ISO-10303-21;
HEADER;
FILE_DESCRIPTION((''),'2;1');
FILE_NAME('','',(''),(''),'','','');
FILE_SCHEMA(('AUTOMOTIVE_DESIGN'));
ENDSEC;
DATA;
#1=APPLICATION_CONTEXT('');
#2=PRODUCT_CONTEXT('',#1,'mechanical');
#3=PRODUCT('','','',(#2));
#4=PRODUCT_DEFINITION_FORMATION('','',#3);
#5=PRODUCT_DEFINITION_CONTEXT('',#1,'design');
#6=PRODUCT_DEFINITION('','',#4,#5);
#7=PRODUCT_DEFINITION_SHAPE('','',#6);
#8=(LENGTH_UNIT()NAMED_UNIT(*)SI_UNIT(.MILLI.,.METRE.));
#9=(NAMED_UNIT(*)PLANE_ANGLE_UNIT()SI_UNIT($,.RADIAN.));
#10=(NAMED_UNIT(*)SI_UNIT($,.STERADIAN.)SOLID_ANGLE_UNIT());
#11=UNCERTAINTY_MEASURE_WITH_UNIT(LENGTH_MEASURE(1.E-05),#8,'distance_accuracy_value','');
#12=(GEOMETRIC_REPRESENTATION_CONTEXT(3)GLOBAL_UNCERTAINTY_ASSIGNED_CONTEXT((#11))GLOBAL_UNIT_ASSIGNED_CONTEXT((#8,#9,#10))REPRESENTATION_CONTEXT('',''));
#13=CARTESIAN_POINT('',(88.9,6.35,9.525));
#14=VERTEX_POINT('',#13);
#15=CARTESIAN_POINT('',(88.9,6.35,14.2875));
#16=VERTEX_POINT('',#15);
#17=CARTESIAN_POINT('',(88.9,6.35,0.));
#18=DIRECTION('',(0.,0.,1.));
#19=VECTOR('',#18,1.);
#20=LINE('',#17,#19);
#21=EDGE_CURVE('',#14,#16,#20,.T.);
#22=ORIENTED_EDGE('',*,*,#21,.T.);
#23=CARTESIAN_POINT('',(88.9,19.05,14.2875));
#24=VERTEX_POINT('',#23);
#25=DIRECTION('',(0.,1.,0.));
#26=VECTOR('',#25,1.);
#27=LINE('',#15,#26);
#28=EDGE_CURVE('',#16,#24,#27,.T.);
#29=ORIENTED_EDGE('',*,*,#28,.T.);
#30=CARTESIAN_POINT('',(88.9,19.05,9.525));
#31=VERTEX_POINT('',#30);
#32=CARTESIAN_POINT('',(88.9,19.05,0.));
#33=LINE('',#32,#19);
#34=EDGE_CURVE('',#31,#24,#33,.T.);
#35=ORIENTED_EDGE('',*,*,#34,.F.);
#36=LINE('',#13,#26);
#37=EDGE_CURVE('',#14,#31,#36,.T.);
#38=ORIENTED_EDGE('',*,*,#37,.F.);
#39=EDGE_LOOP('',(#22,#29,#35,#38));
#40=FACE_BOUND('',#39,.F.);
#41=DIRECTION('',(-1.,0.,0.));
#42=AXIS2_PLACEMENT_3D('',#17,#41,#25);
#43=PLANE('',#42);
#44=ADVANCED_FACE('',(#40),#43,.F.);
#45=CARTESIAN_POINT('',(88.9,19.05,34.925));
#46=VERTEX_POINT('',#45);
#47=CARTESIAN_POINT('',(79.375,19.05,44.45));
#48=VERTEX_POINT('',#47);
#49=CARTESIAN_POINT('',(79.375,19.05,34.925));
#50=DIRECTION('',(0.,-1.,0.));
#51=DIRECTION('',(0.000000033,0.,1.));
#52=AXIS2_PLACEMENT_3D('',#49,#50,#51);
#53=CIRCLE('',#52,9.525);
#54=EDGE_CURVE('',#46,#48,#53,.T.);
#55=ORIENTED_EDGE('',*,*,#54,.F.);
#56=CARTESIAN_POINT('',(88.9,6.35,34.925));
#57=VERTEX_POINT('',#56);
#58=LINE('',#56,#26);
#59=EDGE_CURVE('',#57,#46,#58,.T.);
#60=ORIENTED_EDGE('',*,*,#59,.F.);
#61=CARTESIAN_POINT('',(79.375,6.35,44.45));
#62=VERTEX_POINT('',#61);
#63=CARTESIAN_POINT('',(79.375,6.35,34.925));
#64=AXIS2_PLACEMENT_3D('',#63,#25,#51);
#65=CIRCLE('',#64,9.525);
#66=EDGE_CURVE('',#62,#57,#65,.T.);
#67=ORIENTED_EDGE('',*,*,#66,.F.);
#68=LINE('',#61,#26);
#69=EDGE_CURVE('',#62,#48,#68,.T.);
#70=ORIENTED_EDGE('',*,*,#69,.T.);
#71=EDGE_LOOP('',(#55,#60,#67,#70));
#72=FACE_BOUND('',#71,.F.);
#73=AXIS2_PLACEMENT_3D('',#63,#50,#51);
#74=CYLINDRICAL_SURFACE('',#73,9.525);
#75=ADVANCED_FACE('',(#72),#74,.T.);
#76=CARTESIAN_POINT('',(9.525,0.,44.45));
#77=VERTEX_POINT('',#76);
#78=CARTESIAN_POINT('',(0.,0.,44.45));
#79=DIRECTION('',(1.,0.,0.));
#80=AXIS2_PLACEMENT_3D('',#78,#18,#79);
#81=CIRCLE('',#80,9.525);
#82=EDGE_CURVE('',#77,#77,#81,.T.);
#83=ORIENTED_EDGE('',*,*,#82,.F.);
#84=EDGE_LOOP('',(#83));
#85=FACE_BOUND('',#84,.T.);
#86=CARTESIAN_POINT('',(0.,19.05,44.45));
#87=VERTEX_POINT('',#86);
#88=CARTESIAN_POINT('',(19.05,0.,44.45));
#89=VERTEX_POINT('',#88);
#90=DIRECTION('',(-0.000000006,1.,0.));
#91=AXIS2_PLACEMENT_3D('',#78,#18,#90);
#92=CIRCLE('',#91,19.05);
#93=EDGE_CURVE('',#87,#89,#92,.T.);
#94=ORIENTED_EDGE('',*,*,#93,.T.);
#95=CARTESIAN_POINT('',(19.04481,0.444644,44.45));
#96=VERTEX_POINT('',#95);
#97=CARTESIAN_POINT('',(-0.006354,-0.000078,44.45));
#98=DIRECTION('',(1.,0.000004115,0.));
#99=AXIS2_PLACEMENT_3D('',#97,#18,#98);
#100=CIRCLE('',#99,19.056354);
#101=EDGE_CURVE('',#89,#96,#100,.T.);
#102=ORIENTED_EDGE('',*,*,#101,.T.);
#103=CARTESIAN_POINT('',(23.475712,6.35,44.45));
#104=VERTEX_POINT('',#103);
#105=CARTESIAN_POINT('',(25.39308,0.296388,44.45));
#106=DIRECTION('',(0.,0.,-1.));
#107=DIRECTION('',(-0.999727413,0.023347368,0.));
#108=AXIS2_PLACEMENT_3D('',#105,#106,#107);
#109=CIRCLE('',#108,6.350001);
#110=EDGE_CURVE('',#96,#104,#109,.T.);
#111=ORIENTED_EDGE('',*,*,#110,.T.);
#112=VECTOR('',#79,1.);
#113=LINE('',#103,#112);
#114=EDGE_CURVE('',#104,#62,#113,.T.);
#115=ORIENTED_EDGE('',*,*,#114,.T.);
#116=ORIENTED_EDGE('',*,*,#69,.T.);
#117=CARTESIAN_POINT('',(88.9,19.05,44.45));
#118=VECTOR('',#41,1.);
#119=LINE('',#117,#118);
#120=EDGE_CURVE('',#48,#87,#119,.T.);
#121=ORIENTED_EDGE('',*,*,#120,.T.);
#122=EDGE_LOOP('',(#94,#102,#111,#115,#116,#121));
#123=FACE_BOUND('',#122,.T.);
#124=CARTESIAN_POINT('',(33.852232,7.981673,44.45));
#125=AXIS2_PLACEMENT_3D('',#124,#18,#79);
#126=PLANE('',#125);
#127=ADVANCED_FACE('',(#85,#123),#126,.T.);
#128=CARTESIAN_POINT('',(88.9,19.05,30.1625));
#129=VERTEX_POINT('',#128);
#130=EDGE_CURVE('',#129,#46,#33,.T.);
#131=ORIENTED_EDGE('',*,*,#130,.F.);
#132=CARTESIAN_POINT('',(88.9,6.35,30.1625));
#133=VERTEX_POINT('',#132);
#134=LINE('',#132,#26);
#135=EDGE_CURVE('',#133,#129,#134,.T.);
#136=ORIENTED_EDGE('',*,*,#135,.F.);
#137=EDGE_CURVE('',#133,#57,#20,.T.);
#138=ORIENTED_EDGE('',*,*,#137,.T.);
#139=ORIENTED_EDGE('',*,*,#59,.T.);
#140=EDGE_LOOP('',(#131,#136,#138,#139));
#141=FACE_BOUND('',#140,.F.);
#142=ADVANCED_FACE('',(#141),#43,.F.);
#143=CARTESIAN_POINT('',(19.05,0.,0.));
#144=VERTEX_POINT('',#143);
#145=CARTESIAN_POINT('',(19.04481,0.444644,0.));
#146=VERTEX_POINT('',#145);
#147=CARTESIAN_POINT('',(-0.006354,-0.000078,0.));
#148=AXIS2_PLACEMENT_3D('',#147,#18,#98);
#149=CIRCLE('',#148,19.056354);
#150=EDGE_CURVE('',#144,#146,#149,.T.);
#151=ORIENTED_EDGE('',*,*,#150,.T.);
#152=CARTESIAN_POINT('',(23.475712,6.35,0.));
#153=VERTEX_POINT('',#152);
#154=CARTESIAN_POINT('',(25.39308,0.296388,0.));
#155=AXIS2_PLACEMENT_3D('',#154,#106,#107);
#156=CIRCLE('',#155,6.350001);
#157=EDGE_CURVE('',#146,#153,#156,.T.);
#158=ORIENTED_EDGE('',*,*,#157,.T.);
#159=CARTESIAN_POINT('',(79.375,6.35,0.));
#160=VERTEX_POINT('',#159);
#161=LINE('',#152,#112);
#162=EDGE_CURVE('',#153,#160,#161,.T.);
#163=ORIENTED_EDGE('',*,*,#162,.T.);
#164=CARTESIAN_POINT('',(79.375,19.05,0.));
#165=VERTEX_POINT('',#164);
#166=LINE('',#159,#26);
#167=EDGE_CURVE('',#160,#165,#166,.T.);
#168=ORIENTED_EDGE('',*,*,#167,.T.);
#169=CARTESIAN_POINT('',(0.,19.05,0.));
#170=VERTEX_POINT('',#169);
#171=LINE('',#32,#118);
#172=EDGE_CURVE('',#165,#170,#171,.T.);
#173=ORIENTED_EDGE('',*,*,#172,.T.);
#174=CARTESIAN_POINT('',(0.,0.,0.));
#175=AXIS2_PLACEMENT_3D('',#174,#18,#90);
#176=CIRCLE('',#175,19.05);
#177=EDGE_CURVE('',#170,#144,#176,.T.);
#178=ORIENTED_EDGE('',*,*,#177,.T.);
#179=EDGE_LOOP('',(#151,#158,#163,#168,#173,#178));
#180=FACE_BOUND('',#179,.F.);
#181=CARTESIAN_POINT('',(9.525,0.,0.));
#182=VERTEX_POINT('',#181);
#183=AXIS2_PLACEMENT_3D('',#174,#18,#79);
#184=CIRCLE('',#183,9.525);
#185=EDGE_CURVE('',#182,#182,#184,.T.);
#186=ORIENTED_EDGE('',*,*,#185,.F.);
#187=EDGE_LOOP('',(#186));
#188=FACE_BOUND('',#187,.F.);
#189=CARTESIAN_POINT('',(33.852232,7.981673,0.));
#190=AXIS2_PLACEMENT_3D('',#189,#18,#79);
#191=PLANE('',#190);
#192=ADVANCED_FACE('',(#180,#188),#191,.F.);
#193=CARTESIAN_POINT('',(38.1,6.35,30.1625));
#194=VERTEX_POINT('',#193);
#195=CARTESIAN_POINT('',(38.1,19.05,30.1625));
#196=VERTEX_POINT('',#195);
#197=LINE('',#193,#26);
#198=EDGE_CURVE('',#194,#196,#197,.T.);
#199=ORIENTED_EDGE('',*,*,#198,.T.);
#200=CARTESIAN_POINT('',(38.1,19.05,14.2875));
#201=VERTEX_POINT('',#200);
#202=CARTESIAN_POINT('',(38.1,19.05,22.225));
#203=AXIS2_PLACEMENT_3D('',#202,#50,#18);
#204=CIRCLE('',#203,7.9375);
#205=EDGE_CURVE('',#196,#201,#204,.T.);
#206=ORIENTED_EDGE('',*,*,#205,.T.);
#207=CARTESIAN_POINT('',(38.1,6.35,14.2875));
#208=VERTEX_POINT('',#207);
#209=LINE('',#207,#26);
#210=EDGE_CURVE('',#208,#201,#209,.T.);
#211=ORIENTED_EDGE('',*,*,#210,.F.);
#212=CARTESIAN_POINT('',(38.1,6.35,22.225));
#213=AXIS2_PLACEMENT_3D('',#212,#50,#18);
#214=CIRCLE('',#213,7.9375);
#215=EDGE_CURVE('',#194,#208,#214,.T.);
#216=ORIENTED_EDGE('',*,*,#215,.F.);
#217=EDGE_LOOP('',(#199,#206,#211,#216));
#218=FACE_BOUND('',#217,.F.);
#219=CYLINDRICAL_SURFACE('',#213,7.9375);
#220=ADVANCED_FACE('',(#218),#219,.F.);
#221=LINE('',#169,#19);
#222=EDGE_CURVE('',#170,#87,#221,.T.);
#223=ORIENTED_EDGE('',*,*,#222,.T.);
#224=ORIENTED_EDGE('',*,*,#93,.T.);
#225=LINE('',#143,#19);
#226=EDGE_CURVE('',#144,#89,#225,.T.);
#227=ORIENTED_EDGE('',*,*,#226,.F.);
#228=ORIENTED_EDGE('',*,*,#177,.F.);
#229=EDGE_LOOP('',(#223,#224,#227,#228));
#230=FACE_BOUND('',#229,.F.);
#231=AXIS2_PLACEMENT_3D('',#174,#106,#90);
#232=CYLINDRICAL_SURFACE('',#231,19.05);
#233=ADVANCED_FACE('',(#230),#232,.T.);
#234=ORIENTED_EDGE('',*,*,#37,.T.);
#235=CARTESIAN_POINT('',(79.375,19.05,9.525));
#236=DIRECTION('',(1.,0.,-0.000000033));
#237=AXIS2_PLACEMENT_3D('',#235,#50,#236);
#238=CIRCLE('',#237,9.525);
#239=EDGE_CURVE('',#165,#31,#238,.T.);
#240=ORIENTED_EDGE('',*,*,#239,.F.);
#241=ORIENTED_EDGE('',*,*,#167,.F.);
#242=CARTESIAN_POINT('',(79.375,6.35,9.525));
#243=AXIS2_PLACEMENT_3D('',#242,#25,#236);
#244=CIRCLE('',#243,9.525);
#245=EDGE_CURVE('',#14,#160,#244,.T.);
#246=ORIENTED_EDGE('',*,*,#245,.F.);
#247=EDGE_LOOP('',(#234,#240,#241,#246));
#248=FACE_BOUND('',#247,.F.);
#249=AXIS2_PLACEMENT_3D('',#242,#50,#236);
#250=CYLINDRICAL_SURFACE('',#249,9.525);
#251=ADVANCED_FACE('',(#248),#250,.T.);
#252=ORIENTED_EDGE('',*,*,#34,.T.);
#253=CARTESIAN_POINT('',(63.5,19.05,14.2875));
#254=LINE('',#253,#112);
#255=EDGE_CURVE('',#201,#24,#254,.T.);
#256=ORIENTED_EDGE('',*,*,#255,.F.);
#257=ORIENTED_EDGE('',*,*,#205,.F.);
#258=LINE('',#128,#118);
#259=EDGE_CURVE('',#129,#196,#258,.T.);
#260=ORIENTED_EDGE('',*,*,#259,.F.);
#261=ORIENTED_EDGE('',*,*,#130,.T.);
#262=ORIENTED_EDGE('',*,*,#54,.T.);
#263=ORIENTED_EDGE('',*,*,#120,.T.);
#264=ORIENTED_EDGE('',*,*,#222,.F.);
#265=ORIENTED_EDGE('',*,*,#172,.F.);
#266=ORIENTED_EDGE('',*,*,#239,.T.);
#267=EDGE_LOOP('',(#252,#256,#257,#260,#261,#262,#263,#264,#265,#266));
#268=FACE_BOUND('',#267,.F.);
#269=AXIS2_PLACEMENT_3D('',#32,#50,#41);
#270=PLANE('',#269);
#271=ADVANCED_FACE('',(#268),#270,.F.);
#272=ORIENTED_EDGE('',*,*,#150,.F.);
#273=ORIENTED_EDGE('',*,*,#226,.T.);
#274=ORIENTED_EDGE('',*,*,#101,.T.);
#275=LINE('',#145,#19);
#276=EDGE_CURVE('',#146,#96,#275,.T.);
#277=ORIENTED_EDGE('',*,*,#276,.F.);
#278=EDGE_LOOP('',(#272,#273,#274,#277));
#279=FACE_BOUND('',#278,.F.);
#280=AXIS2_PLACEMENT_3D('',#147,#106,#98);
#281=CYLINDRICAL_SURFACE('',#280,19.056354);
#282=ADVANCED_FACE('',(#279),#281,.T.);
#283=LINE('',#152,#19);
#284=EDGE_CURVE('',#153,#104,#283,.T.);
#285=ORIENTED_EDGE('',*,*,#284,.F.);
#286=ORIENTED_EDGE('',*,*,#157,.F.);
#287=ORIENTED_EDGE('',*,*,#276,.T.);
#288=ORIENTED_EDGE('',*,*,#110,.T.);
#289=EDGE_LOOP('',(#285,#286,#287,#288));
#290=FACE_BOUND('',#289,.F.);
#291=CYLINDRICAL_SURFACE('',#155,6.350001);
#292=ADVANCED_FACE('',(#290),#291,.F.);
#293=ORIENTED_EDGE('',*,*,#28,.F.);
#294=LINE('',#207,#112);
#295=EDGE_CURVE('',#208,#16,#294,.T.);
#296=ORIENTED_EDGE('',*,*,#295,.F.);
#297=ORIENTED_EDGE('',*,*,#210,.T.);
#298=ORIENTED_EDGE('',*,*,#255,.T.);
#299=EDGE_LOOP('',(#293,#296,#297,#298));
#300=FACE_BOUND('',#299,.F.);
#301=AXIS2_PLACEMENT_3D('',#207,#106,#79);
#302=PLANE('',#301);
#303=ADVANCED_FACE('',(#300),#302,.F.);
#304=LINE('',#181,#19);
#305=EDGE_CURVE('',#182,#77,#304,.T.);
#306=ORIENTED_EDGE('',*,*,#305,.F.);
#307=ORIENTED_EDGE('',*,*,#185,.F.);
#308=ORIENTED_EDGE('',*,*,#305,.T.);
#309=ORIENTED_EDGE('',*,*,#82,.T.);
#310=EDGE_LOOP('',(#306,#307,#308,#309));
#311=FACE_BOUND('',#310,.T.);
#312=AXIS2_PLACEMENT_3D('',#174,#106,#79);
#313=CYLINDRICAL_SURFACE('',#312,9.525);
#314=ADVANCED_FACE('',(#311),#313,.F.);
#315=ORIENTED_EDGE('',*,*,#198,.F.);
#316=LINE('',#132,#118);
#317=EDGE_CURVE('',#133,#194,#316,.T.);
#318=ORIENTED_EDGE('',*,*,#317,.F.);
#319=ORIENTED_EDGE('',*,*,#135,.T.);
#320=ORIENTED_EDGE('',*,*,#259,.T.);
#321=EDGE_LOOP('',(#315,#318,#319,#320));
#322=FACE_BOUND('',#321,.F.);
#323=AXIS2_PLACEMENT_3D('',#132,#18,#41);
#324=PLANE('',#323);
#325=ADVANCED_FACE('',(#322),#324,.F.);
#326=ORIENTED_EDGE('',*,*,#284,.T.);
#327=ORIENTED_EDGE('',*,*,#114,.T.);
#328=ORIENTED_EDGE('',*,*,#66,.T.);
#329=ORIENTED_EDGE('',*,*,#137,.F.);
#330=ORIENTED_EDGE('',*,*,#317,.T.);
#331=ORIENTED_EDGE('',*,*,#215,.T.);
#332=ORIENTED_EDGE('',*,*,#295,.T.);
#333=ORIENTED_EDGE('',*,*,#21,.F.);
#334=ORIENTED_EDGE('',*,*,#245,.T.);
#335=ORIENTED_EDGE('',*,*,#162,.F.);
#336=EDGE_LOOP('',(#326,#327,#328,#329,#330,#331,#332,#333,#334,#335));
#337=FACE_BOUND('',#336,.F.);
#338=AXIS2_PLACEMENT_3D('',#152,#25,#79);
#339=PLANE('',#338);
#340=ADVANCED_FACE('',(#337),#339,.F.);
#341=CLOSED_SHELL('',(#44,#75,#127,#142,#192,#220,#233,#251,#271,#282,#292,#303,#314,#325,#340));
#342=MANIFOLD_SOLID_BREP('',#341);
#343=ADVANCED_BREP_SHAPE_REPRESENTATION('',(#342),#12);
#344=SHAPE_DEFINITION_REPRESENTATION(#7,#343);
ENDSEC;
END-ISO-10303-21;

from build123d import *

# Parameters (mm, degrees)
F0_R     = 9.525
F1_DEPTH = 44.45
F3_DEPTH = 25.4


with BuildPart() as f1:
    # F0 (on Top) → F1 (new body)
    with BuildSketch(Plane.XY):
        with BuildLine():
            Line((88.9, 19.05), (0, 19.05))
            ThreePointArc((0, 19.05), (-13.470384, -13.470384), (19.05, 0))
            ThreePointArc((19.05, 0), (19.043512, 0.222277), (19.04481, 0.444644))
            ThreePointArc((19.04481, 0.444644), (20.313858, 4.107427), (23.475712, 6.35))
            ThreePointArc((23.475712, 6.35), (25.393079, 6.646389), (27.310446, 6.35))
            Line((27.310446, 6.35), (88.9, 6.35))
            Line((88.9, 6.35), (88.9, 19.05))
        make_face()
        Circle(F0_R, mode=Mode.SUBTRACT)
        with BuildLine():
            ThreePointArc((19.04481, 0.444644), (19.043512, 0.222277), (19.05, 0))
            ThreePointArc((19.05, 0), (19.048702, 0.222337), (19.04481, 0.444644))
        make_face()
        with BuildLine():
            ThreePointArc((27.310446, 6.35), (25.393079, 6.646389), (23.475712, 6.35))
            Line((23.475712, 6.35), (27.310446, 6.35))
        make_face()
    extrude(amount=F1_DEPTH)

    # F2 (on face) → F3 (cut)
    with BuildSketch(Plane.XZ.offset(-6.35)):
        with BuildLine():
            Line((88.9, 14.2875), (88.9, 30.1625))
            Line((88.9, 30.1625), (38.1, 30.1625))
            ThreePointArc((38.1, 30.1625), (30.1625, 22.225), (38.1, 14.2875))
            Line((38.1, 14.2875), (88.9, 14.2875))
        make_face()
        with BuildLine():
            Line((88.9, 34.925), (88.9, 44.45))
            Line((88.9, 44.45), (79.375, 44.45))
            ThreePointArc((79.375, 44.45), (86.110192, 41.660192), (88.9, 34.925))
        make_face()
        with BuildLine():
            Line((88.9, 0), (88.9, 9.525))
            ThreePointArc((88.9, 9.525), (86.110192, 2.789808), (79.375, 0))
            Line((79.375, 0), (88.9, 0))
        make_face()
    extrude(amount=-F3_DEPTH, mode=Mode.SUBTRACT)


solid = f1.part
